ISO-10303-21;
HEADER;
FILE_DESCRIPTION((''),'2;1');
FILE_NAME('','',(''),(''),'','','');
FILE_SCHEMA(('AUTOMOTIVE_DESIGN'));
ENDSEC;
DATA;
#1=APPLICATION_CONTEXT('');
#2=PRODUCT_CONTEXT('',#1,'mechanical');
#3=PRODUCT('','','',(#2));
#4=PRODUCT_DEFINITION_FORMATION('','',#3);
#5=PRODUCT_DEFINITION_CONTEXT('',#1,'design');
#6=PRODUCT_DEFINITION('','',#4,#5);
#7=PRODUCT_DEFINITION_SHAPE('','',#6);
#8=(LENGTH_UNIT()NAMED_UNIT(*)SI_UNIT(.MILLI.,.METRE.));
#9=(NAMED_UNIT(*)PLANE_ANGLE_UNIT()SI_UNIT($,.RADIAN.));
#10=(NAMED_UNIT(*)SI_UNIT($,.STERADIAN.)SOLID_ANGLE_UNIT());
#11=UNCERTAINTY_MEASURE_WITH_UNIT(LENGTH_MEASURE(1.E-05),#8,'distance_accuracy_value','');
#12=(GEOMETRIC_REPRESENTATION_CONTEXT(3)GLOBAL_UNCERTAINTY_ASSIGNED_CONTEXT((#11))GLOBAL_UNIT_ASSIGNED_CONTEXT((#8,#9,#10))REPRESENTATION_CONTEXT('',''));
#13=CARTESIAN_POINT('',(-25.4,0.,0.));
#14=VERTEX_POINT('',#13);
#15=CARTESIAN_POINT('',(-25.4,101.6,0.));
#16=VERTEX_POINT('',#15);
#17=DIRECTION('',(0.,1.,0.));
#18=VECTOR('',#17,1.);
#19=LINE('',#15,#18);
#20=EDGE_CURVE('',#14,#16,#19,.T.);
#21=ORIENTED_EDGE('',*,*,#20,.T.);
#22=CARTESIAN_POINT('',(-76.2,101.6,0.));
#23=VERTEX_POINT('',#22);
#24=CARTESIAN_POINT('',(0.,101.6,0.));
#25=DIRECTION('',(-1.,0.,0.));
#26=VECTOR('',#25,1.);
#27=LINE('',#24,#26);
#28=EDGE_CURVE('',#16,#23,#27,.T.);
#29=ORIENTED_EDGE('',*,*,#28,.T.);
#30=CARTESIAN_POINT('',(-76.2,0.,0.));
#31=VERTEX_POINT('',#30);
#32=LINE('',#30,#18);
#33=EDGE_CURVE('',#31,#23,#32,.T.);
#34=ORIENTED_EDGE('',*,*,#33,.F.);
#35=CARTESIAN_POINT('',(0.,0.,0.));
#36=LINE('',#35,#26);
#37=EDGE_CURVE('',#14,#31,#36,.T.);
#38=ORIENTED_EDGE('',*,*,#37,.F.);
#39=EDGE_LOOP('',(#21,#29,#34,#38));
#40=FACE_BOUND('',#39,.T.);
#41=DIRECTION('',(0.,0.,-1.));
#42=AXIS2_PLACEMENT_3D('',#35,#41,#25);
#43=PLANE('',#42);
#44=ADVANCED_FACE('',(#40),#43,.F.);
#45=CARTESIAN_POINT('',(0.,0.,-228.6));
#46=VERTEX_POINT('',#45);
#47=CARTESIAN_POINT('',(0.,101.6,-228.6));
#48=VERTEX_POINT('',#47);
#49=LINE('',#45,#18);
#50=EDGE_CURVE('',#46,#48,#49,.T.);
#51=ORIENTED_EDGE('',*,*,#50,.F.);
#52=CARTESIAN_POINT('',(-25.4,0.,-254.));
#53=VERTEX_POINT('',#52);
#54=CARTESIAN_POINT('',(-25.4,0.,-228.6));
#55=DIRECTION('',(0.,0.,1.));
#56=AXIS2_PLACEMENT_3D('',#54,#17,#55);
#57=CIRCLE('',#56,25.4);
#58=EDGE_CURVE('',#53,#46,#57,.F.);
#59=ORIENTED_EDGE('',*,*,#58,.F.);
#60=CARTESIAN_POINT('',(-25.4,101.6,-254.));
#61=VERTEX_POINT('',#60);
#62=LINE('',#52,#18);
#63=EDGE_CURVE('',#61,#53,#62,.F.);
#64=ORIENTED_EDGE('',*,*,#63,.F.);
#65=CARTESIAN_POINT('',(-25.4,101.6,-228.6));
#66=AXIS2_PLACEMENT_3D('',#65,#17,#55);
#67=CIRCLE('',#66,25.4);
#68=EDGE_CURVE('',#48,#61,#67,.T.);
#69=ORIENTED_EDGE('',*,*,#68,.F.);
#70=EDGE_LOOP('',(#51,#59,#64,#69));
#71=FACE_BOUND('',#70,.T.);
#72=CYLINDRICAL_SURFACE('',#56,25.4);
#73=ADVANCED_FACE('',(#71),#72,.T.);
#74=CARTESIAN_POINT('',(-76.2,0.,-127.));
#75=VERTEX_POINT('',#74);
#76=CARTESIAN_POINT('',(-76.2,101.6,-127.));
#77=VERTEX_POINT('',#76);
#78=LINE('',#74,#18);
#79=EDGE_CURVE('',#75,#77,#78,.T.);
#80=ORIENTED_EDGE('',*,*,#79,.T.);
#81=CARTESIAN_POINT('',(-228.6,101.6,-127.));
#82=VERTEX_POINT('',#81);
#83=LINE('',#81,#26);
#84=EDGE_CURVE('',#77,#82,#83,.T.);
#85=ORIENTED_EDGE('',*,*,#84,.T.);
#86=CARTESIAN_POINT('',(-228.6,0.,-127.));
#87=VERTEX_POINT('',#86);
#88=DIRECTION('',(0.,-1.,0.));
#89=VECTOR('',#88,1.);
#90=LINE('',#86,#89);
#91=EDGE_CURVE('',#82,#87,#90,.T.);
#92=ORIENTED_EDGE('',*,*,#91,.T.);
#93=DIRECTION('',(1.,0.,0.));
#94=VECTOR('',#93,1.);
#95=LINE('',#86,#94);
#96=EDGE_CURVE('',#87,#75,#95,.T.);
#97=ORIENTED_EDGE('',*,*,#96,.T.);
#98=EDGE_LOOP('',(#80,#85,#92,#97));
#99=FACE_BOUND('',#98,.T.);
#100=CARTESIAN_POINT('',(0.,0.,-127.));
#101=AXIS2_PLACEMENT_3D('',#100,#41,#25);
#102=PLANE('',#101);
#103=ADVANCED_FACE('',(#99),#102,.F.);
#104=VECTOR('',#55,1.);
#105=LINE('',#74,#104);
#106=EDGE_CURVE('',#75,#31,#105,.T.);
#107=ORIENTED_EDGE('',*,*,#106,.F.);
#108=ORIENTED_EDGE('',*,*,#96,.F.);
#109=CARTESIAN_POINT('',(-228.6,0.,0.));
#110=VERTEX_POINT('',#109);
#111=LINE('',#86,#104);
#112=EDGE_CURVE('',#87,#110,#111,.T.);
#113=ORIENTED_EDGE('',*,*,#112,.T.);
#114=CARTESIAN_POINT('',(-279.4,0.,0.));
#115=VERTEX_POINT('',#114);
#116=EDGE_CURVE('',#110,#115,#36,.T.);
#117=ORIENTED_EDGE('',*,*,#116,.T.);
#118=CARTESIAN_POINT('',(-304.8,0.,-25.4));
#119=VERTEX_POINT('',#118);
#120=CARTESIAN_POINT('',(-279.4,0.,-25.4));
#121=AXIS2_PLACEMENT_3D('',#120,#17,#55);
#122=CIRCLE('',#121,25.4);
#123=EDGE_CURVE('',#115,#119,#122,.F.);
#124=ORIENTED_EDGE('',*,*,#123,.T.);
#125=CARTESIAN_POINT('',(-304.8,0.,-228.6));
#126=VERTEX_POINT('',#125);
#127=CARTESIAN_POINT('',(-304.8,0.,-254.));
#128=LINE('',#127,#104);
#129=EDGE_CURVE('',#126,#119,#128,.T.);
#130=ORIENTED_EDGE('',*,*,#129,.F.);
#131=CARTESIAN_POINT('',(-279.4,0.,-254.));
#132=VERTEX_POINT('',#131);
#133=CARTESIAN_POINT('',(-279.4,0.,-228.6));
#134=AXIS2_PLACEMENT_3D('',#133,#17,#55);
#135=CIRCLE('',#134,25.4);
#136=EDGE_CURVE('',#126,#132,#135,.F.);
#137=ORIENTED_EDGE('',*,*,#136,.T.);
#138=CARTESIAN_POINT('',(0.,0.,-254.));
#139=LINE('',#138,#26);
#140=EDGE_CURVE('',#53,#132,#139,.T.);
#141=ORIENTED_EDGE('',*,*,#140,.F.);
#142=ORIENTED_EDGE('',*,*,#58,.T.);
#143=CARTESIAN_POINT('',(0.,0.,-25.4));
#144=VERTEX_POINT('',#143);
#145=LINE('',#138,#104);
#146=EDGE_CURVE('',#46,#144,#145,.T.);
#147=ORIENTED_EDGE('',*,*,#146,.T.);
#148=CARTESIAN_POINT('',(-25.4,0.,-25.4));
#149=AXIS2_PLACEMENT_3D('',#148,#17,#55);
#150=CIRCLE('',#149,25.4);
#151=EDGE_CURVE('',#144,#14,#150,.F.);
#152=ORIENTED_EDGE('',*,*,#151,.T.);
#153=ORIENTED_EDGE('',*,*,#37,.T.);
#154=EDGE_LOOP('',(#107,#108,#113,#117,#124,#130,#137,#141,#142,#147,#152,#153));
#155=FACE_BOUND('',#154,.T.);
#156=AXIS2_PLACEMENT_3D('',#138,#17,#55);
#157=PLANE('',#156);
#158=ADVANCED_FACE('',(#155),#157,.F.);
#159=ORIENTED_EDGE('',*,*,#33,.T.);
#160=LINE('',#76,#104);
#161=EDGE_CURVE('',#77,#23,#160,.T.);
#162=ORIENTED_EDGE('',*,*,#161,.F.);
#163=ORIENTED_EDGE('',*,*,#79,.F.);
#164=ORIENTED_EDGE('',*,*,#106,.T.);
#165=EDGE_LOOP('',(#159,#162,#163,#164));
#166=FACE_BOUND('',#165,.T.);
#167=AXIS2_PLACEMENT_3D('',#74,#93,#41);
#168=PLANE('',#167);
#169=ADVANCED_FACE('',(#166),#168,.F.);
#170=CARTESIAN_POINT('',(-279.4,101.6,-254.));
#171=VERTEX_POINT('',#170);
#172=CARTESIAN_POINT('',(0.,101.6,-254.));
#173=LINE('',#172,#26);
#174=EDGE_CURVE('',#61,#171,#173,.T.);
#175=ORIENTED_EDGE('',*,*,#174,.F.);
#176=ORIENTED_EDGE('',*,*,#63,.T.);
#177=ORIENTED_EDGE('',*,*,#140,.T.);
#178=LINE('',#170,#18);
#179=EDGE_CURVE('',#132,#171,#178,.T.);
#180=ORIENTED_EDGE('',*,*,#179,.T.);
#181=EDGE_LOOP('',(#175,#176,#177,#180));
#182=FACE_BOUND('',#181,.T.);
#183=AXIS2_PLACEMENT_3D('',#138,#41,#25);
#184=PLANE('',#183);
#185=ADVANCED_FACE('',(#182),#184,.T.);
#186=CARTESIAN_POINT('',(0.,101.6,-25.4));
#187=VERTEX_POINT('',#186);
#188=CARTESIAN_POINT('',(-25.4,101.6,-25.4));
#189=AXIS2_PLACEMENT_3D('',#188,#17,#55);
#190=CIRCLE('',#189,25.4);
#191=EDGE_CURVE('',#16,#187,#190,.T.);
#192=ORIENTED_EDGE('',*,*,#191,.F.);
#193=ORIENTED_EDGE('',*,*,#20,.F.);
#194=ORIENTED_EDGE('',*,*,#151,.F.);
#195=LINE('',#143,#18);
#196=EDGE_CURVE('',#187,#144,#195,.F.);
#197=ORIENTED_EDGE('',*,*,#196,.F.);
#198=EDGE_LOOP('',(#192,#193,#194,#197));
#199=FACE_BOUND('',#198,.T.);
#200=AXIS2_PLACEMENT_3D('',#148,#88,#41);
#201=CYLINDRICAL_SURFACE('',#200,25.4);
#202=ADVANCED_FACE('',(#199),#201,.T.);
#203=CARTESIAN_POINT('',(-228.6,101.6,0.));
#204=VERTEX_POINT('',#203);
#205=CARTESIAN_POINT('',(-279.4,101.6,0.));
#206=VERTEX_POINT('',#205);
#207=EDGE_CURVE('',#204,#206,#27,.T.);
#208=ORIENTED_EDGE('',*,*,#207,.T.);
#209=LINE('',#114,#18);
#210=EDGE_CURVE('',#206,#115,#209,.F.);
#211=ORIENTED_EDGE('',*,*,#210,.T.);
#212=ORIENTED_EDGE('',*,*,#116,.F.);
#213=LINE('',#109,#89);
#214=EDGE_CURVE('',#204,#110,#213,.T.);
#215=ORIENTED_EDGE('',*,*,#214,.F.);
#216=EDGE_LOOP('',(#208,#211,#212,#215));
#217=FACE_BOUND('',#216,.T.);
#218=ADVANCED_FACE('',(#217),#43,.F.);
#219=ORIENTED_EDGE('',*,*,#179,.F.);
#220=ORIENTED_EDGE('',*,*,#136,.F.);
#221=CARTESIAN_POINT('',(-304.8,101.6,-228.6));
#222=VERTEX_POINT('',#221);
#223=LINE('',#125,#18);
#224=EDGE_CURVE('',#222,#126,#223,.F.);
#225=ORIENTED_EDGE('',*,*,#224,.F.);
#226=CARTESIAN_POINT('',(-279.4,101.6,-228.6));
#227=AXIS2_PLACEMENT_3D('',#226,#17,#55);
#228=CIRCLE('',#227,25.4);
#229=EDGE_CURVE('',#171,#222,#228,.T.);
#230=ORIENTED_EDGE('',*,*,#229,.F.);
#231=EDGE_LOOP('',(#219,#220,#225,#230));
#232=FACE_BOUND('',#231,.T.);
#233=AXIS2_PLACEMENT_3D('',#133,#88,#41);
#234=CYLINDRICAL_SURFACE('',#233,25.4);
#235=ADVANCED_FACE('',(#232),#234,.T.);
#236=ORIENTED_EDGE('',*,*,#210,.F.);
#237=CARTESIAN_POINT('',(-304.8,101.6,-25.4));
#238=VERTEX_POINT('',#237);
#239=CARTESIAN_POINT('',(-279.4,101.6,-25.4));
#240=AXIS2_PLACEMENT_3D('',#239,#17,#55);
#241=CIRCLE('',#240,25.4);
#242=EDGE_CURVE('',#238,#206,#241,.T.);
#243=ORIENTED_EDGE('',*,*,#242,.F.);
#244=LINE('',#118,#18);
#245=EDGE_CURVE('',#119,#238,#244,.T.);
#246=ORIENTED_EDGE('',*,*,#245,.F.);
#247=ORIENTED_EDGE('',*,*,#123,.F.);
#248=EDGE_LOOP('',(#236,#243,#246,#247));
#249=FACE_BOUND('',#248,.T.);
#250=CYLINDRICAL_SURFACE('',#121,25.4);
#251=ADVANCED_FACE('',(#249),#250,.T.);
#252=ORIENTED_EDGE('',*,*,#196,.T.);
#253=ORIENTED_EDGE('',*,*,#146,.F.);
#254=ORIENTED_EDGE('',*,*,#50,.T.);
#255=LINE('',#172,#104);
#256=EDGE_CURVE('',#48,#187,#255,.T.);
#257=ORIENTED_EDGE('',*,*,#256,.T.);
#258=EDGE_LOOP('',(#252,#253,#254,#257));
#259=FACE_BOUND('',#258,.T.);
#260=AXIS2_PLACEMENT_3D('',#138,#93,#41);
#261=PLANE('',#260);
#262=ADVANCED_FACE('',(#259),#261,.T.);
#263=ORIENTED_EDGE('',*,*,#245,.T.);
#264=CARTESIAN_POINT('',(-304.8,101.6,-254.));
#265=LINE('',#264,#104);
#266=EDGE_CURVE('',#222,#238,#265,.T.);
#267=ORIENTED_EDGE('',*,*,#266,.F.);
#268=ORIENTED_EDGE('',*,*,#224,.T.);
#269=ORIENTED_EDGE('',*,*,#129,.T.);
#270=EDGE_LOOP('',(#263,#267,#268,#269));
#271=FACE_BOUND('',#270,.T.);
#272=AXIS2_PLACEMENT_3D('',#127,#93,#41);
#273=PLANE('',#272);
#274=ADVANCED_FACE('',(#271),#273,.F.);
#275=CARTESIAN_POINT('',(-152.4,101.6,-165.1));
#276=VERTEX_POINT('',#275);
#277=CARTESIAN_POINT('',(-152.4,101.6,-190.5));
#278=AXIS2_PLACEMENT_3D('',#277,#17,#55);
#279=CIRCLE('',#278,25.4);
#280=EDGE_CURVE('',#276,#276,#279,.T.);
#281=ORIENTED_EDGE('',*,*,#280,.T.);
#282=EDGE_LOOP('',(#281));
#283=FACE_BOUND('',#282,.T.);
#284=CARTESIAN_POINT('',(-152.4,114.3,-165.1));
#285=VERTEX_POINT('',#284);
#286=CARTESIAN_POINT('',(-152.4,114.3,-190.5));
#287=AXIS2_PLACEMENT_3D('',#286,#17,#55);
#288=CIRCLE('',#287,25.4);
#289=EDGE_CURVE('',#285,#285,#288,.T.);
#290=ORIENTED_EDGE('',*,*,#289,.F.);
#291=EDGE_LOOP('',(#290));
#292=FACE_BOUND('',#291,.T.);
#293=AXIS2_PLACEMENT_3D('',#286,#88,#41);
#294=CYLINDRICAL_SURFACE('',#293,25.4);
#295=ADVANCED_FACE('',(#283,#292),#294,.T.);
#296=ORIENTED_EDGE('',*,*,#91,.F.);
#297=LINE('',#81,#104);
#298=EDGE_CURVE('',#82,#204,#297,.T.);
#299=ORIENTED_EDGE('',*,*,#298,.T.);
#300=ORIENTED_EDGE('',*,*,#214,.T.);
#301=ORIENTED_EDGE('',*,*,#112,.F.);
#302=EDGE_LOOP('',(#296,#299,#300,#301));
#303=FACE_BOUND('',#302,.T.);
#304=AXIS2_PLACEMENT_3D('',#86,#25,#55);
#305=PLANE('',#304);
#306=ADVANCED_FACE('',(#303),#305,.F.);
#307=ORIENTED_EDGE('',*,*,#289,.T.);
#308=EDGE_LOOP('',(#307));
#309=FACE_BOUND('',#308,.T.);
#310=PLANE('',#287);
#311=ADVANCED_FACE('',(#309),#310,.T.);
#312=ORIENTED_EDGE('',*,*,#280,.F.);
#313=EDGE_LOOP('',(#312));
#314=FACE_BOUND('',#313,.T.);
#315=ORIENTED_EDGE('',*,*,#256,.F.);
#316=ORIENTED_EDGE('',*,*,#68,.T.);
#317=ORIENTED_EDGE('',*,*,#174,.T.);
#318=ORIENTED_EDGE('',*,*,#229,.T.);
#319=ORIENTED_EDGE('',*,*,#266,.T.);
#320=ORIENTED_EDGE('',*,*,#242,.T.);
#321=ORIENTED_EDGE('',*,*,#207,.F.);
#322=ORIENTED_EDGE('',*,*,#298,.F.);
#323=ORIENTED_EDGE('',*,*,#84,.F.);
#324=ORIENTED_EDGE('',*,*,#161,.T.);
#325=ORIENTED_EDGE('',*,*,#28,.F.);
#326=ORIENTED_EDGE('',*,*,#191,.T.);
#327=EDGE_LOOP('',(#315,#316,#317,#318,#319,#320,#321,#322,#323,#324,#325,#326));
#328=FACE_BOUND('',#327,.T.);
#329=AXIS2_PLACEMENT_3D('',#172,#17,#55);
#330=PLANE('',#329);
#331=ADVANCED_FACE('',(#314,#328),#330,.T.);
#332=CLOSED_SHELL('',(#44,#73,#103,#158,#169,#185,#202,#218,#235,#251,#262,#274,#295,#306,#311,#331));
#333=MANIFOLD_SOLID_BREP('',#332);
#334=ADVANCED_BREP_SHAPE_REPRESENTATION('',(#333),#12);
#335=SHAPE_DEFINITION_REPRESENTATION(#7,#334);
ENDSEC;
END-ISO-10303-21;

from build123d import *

# Parameters (mm, degrees)
SKETCH1_W           = 304.8
SKETCH1_H           = 101.6
BOSS_EXTRUDE1_DEPTH = 254
SKETCH3_W           = 152.4
SKETCH3_H           = 101.6
CUT_EXTRUDE1_DEPTH  = 127
FILLET1_R           = 25.4
SKETCH4_R           = 25.4
BOSS_EXTRUDE2_DEPTH = 12.7


with BuildPart() as part:
    # Sketch1 → Boss-Extrude1 (new body)
    with BuildSketch(Plane.XY):
        with Locations((-152.4, 50.8)):
            Rectangle(SKETCH1_W, SKETCH1_H)
    extrude(amount=-BOSS_EXTRUDE1_DEPTH)

    # Sketch3 → Cut-Extrude1 (cut)
    with BuildSketch(Plane.XY):
        with Locations((-152.4, 50.8)):
            Rectangle(SKETCH3_W, SKETCH3_H)
    extrude(amount=-CUT_EXTRUDE1_DEPTH, mode=Mode.SUBTRACT)

    # Fillet1
    fillet1_edges = [part.edges().sort_by_distance(p)[0] for p in [
        (0, 50.8, -254),
        (0, 50.8, 0),
        (-304.8, 50.8, 0),
        (-304.8, 50.8, -254),
    ]]
    fillet(fillet1_edges, radius=FILLET1_R)

    # Sketch4 → Boss-Extrude2 (add)
    with BuildSketch(Plane(origin=(0, 101.6, 0), x_dir=(1, 0, 0), z_dir=(0, 1, 0))):
        with Locations(Location((-152.4, 190.5, 0), (0, 0, 270))):
            Circle(SKETCH4_R)
    extrude(amount=BOSS_EXTRUDE2_DEPTH)


solid = part.part
